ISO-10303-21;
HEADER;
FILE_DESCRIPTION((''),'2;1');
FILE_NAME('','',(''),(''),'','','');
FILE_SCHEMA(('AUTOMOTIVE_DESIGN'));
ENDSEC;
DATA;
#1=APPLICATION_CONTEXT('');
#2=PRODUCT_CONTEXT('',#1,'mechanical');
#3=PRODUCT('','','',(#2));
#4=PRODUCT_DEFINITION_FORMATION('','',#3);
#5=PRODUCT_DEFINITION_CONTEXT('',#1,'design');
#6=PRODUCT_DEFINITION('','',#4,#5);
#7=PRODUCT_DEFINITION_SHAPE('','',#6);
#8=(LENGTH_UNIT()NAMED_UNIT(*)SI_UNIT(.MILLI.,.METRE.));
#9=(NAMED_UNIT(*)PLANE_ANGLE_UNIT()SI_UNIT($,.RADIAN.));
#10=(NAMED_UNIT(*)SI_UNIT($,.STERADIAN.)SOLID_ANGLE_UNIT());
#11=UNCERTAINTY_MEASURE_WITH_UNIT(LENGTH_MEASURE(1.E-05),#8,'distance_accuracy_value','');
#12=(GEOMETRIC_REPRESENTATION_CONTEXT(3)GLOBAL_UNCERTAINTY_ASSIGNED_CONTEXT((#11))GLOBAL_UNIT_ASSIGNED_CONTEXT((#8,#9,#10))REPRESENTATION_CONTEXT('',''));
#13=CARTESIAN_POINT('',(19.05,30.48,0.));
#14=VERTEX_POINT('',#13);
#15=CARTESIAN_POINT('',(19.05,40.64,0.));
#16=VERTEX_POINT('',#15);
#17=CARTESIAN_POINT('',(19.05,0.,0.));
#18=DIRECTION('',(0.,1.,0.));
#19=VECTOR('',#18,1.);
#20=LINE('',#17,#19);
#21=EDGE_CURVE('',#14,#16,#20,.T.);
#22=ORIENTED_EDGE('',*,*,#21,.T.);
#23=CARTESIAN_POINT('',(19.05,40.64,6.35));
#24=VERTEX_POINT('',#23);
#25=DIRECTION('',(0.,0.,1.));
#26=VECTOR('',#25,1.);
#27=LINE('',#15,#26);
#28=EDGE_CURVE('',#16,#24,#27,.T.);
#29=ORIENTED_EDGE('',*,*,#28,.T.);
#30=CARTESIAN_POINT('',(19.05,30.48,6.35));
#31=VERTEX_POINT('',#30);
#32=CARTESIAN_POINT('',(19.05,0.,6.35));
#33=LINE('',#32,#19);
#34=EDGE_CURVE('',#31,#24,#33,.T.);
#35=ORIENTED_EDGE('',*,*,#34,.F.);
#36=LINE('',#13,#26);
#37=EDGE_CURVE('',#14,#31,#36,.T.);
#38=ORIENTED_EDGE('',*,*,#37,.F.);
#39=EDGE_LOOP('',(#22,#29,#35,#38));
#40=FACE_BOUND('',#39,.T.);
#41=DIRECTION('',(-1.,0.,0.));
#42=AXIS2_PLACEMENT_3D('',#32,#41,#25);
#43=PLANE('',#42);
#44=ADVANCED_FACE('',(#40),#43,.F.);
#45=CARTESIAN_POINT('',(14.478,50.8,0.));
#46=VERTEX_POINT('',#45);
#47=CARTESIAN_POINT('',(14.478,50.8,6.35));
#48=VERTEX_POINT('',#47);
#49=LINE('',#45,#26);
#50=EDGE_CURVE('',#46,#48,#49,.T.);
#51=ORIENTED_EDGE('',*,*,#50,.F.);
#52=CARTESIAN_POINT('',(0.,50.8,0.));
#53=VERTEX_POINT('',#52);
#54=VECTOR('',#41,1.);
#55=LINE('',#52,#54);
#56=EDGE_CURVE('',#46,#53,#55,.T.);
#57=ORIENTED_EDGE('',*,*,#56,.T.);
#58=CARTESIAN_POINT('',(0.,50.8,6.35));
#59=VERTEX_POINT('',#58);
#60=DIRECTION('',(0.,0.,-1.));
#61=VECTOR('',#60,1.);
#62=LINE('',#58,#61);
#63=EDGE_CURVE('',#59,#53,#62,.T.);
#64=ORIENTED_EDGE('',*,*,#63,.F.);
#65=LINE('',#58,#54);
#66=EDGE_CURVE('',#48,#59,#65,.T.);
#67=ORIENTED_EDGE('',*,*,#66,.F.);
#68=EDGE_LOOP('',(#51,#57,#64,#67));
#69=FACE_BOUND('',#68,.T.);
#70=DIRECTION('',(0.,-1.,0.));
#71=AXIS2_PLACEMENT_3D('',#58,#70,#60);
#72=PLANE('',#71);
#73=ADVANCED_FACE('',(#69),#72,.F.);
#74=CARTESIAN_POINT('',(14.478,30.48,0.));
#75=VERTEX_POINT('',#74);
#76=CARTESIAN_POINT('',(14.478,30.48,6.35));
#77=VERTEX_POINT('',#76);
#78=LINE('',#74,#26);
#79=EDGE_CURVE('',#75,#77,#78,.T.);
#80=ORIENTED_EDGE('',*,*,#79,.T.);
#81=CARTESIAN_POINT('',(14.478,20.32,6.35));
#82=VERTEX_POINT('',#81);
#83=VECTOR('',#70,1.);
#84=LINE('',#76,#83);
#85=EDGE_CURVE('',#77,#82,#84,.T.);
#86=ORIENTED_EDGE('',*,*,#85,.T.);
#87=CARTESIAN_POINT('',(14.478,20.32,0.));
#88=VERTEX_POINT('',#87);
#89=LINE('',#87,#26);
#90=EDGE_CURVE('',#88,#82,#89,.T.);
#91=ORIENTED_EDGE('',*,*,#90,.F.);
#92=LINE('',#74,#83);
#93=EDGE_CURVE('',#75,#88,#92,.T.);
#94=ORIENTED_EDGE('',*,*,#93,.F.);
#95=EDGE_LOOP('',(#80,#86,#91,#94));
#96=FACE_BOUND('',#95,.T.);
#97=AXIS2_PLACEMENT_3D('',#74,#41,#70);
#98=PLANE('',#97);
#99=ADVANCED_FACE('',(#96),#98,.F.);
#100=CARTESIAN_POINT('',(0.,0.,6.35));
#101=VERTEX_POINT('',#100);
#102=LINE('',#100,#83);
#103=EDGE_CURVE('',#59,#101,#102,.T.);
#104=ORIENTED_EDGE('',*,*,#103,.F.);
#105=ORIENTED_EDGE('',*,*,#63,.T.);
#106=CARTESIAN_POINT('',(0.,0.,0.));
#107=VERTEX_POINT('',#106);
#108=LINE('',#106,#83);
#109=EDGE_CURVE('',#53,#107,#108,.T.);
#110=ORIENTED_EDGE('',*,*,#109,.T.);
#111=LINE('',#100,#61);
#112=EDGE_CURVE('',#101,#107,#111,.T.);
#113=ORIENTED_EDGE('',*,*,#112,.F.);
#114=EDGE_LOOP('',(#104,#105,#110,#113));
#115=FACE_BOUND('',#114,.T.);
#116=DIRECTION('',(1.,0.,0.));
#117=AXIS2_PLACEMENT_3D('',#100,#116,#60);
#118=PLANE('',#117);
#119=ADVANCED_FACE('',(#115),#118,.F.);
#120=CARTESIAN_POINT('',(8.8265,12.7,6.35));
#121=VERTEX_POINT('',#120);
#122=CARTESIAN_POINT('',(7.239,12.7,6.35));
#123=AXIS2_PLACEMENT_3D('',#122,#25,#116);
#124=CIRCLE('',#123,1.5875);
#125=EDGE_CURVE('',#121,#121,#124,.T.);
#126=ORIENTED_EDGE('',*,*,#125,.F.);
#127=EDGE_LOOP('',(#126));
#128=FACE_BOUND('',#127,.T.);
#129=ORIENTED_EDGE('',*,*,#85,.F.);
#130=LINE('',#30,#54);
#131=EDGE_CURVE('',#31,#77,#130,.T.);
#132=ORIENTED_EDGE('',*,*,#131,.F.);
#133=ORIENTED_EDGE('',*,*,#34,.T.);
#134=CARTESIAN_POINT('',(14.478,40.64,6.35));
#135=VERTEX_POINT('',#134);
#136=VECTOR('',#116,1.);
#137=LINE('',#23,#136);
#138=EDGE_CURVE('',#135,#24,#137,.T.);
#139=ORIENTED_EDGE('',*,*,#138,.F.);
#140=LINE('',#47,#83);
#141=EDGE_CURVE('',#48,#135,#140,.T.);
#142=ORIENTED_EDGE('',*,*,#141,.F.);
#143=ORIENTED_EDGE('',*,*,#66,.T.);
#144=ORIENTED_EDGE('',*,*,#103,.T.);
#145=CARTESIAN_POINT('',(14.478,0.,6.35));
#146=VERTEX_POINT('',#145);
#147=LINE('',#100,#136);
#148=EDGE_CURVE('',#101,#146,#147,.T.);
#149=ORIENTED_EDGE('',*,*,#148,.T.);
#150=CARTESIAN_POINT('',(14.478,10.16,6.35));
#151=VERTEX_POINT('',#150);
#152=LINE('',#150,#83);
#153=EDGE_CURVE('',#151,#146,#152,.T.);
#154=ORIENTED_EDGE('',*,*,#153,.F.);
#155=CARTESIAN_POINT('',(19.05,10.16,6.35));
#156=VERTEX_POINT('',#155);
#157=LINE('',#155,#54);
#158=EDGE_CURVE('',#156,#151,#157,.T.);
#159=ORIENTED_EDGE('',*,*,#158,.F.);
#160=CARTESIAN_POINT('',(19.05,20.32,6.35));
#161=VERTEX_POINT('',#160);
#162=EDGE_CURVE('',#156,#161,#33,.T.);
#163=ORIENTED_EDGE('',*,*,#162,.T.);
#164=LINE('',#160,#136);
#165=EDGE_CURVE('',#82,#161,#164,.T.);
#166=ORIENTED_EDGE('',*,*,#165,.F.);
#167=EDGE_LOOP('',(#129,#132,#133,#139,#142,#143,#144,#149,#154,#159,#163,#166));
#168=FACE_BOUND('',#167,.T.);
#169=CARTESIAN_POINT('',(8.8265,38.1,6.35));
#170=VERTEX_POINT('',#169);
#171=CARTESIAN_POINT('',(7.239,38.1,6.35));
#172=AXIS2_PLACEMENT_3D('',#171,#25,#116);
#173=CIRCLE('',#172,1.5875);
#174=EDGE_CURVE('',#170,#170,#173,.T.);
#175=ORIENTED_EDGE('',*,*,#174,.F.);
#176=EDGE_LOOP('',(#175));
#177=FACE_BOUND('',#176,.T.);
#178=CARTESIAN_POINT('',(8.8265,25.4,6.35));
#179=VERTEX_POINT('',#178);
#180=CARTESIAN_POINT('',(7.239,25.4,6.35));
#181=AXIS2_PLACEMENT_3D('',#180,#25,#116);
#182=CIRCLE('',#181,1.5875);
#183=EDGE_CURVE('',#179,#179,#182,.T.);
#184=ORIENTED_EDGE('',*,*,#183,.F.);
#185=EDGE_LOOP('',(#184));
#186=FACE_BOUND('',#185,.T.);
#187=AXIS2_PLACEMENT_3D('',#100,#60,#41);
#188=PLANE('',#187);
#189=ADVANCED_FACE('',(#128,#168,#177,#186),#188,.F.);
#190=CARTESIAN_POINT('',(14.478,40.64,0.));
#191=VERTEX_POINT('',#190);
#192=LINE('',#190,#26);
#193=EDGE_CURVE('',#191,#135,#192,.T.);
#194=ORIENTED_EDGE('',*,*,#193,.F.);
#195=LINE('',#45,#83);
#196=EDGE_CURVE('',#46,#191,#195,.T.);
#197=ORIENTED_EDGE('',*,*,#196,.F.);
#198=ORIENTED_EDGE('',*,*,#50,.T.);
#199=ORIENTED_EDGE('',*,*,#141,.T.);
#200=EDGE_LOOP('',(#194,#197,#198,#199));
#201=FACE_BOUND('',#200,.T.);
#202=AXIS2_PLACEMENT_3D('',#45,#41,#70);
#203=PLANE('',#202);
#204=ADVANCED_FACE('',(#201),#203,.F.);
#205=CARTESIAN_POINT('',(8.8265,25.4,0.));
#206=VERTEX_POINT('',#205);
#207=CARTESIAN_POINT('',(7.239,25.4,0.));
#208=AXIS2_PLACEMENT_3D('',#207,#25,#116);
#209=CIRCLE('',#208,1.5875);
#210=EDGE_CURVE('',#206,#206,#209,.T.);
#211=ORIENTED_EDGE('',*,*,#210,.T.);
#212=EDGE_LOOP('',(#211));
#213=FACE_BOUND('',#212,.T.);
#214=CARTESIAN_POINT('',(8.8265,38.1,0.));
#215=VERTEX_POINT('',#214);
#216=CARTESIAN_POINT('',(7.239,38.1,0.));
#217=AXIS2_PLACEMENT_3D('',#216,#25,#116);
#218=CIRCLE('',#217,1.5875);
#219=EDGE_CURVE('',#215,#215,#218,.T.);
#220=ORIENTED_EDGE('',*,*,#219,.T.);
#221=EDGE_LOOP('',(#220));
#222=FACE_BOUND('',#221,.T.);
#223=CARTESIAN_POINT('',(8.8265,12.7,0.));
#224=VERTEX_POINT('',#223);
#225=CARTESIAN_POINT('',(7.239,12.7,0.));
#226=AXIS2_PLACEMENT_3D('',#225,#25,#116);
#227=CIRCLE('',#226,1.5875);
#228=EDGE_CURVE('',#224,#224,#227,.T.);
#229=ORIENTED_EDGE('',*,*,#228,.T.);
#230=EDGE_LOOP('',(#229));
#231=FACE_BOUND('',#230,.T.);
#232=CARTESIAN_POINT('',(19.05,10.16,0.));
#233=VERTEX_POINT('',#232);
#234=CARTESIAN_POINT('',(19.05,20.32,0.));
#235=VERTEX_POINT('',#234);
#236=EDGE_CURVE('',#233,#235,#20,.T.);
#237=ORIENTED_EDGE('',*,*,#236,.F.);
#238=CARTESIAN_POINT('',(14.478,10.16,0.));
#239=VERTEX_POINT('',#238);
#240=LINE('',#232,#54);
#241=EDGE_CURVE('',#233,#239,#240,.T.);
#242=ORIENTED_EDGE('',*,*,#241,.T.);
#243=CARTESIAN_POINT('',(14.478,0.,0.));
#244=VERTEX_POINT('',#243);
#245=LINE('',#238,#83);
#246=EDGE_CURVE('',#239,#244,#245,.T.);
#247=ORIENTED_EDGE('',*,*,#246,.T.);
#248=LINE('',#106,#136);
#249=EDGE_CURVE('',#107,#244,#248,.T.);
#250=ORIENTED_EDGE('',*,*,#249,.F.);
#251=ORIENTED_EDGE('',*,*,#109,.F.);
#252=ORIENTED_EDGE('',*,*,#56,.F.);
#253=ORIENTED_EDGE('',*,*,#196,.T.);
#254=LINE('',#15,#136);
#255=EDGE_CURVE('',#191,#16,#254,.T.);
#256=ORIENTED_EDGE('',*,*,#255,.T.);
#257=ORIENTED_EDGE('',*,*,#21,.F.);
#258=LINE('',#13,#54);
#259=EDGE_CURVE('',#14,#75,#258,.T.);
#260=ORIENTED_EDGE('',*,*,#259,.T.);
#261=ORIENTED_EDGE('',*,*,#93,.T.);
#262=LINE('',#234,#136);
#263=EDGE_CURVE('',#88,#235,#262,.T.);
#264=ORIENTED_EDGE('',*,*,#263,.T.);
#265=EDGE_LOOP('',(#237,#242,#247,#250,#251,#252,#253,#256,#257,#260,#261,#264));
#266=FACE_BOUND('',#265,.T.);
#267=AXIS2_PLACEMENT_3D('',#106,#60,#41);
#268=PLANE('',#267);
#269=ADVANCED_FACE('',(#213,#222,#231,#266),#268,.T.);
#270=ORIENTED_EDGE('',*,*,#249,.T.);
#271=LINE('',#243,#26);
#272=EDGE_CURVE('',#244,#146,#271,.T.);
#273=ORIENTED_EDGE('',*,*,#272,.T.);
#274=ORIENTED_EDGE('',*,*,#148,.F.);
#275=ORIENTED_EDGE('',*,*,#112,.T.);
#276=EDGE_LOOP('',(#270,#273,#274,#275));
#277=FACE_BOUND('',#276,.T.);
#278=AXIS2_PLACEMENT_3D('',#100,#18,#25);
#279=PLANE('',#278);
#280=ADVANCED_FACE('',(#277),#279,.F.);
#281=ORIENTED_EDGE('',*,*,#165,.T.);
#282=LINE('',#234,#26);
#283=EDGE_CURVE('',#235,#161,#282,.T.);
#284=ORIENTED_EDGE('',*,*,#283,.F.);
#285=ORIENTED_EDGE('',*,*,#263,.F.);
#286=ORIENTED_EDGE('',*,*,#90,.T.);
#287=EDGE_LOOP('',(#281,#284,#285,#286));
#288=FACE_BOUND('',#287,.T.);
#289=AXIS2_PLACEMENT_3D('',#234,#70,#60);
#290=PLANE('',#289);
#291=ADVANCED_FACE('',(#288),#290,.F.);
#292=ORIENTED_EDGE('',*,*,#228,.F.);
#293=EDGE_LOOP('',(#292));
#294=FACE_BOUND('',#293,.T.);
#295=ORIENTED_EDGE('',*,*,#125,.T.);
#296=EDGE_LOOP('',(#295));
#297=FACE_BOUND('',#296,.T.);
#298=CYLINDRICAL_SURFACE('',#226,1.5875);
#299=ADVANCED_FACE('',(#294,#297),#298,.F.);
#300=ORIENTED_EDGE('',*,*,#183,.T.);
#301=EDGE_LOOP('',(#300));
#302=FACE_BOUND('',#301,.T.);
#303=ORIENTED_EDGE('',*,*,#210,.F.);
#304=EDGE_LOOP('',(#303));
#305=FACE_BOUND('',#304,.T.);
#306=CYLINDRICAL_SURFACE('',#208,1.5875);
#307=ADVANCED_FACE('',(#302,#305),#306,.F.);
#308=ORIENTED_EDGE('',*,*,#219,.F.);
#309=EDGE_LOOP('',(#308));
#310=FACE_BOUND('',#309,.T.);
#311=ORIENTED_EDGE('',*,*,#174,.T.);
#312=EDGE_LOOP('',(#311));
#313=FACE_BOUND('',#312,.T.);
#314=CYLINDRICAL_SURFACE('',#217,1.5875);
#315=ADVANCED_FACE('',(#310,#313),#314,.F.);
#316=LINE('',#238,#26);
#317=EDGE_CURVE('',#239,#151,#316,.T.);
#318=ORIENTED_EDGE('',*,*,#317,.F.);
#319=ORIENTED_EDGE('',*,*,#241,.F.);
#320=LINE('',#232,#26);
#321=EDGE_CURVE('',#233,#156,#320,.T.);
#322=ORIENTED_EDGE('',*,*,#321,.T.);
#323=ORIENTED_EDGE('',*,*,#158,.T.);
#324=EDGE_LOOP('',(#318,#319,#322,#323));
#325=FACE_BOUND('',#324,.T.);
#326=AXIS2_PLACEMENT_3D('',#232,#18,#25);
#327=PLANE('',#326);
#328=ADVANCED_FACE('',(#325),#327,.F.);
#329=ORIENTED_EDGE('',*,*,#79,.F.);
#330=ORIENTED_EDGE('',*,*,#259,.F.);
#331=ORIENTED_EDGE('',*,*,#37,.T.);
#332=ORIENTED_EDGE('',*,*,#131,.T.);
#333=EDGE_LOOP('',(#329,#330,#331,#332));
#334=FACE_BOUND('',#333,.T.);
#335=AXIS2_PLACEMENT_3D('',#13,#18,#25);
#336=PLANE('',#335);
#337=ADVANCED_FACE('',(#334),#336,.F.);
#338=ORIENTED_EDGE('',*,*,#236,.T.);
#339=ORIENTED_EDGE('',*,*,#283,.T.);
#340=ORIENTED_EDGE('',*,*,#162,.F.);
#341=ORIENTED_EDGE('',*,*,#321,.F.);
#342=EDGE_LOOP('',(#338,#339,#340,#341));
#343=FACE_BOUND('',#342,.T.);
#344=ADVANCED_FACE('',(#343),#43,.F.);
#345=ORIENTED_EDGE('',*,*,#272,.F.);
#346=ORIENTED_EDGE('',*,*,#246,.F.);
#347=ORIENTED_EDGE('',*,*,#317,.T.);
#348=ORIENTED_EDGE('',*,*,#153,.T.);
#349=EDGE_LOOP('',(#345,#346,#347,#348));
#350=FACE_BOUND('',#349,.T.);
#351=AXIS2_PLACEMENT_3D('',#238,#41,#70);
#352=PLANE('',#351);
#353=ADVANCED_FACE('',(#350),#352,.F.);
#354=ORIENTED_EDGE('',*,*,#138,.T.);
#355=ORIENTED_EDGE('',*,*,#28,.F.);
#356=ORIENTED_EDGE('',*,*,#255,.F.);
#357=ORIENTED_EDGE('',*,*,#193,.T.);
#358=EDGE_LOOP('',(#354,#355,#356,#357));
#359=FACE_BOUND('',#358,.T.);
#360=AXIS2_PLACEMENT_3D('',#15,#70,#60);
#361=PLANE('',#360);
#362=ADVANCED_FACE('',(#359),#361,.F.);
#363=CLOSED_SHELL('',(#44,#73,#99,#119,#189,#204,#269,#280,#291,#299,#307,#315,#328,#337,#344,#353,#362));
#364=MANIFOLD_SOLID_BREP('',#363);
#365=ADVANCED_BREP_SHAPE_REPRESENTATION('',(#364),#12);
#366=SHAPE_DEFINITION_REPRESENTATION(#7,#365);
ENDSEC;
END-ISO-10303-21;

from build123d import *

# Parameters (mm, degrees)
SKETCH1_W           = 19.05
SKETCH1_H           = 50.8
BOSS_EXTRUDE1_DEPTH = 6.35
SKETCH2_W           = 4.572
SKETCH2_H           = 10.16
CUT_EXTRUDE1_DEPTH  = 7.35
SKETCH3_R           = 1.5875
CUT_EXTRUDE2_DEPTH  = 7.35


with BuildPart() as part:
    # Sketch1 → Boss-Extrude1 (new body)
    with BuildSketch(Plane.XY):
        with Locations((9.525, 25.4)):
            Rectangle(SKETCH1_W, SKETCH1_H)
    extrude(amount=BOSS_EXTRUDE1_DEPTH)

    # Sketch2 → Cut-Extrude1 (cut, through all)
    with BuildSketch(Plane.XY.offset(6.35)):
        with Locations((16.764, 45.72)):
            Rectangle(SKETCH2_W, SKETCH2_H)
        with Locations((16.764, 25.4)):
            Rectangle(SKETCH2_W, SKETCH2_H)
        with Locations((16.764, 5.08)):
            Rectangle(SKETCH2_W, SKETCH2_H)
    extrude(amount=-CUT_EXTRUDE1_DEPTH, mode=Mode.SUBTRACT)

    # Sketch3 → Cut-Extrude2 (cut, through all)
    with BuildSketch(Plane.XY.offset(6.35)):
        with Locations((7.239, 38.1)):
            Circle(SKETCH3_R)
        with Locations((7.239, 25.4)):
            Circle(SKETCH3_R)
        with Locations((7.239, 12.7)):
            Circle(SKETCH3_R)
    extrude(amount=-CUT_EXTRUDE2_DEPTH, mode=Mode.SUBTRACT)


solid = part.part
